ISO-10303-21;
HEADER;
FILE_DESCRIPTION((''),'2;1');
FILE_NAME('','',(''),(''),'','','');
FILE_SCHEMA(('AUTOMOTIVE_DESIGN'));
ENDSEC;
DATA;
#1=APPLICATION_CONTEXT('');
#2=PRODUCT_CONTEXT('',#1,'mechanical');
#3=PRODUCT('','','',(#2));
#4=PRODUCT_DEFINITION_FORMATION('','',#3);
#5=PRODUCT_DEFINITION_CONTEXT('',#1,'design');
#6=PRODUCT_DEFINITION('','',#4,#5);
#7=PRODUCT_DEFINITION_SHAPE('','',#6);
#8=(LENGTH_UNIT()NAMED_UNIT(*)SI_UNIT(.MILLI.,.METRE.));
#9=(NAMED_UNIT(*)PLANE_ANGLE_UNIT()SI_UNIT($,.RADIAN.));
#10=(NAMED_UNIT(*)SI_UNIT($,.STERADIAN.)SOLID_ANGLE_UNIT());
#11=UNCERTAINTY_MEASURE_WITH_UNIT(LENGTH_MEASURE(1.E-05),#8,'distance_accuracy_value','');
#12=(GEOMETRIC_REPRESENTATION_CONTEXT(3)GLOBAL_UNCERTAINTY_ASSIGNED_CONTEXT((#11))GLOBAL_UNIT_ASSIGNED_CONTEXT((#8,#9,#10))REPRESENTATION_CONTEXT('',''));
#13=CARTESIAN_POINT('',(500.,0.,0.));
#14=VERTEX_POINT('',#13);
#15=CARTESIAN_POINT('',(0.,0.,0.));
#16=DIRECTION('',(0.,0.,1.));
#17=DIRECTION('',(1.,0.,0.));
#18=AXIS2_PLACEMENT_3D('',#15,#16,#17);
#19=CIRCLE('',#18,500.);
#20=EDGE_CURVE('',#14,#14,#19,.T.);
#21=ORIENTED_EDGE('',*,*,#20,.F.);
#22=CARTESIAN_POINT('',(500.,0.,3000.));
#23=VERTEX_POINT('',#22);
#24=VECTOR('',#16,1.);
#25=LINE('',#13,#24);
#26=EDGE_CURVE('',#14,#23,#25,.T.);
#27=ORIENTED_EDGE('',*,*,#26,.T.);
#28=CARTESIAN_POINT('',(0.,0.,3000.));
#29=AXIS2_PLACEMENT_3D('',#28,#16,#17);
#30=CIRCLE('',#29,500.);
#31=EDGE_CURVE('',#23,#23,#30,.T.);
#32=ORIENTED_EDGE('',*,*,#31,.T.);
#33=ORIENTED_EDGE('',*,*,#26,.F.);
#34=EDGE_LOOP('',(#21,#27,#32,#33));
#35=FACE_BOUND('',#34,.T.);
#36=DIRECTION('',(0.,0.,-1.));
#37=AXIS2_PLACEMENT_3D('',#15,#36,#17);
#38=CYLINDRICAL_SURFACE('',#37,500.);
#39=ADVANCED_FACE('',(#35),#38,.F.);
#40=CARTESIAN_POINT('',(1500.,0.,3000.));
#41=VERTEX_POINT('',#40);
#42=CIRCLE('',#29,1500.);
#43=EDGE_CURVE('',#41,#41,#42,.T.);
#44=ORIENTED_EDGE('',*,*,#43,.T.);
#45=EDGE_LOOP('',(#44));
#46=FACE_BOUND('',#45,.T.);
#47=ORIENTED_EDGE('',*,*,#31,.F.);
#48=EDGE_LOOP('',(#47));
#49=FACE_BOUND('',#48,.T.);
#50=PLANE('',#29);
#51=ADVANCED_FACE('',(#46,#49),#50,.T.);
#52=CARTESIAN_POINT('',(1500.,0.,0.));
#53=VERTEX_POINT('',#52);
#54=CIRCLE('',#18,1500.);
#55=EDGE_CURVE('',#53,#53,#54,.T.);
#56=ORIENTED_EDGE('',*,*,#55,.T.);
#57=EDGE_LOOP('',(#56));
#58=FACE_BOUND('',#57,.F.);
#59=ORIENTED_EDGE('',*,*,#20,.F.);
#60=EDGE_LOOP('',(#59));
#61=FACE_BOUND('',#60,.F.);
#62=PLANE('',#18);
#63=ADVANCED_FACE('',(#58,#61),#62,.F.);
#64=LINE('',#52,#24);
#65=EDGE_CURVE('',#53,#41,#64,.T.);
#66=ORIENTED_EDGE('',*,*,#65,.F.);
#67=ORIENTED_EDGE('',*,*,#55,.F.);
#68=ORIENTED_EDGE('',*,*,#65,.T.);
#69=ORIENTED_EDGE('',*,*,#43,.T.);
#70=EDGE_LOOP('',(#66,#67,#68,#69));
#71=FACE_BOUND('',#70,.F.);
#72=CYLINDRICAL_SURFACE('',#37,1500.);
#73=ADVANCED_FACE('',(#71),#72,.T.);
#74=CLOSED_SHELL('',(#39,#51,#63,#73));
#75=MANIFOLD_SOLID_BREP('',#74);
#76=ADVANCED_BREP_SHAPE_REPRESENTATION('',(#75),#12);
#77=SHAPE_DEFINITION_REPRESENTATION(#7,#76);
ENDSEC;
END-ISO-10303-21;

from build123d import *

# Parameters (mm, degrees)
SKETCH_R   = 1500
SKETCH_R_2 = 500
PAD_DEPTH  = 3000


with BuildPart() as part:
    # Sketch → Pad (new body)
    with BuildSketch(Plane.XY):
        Circle(SKETCH_R)
        Circle(SKETCH_R_2, mode=Mode.SUBTRACT)
    extrude(amount=PAD_DEPTH)


solid = part.part
